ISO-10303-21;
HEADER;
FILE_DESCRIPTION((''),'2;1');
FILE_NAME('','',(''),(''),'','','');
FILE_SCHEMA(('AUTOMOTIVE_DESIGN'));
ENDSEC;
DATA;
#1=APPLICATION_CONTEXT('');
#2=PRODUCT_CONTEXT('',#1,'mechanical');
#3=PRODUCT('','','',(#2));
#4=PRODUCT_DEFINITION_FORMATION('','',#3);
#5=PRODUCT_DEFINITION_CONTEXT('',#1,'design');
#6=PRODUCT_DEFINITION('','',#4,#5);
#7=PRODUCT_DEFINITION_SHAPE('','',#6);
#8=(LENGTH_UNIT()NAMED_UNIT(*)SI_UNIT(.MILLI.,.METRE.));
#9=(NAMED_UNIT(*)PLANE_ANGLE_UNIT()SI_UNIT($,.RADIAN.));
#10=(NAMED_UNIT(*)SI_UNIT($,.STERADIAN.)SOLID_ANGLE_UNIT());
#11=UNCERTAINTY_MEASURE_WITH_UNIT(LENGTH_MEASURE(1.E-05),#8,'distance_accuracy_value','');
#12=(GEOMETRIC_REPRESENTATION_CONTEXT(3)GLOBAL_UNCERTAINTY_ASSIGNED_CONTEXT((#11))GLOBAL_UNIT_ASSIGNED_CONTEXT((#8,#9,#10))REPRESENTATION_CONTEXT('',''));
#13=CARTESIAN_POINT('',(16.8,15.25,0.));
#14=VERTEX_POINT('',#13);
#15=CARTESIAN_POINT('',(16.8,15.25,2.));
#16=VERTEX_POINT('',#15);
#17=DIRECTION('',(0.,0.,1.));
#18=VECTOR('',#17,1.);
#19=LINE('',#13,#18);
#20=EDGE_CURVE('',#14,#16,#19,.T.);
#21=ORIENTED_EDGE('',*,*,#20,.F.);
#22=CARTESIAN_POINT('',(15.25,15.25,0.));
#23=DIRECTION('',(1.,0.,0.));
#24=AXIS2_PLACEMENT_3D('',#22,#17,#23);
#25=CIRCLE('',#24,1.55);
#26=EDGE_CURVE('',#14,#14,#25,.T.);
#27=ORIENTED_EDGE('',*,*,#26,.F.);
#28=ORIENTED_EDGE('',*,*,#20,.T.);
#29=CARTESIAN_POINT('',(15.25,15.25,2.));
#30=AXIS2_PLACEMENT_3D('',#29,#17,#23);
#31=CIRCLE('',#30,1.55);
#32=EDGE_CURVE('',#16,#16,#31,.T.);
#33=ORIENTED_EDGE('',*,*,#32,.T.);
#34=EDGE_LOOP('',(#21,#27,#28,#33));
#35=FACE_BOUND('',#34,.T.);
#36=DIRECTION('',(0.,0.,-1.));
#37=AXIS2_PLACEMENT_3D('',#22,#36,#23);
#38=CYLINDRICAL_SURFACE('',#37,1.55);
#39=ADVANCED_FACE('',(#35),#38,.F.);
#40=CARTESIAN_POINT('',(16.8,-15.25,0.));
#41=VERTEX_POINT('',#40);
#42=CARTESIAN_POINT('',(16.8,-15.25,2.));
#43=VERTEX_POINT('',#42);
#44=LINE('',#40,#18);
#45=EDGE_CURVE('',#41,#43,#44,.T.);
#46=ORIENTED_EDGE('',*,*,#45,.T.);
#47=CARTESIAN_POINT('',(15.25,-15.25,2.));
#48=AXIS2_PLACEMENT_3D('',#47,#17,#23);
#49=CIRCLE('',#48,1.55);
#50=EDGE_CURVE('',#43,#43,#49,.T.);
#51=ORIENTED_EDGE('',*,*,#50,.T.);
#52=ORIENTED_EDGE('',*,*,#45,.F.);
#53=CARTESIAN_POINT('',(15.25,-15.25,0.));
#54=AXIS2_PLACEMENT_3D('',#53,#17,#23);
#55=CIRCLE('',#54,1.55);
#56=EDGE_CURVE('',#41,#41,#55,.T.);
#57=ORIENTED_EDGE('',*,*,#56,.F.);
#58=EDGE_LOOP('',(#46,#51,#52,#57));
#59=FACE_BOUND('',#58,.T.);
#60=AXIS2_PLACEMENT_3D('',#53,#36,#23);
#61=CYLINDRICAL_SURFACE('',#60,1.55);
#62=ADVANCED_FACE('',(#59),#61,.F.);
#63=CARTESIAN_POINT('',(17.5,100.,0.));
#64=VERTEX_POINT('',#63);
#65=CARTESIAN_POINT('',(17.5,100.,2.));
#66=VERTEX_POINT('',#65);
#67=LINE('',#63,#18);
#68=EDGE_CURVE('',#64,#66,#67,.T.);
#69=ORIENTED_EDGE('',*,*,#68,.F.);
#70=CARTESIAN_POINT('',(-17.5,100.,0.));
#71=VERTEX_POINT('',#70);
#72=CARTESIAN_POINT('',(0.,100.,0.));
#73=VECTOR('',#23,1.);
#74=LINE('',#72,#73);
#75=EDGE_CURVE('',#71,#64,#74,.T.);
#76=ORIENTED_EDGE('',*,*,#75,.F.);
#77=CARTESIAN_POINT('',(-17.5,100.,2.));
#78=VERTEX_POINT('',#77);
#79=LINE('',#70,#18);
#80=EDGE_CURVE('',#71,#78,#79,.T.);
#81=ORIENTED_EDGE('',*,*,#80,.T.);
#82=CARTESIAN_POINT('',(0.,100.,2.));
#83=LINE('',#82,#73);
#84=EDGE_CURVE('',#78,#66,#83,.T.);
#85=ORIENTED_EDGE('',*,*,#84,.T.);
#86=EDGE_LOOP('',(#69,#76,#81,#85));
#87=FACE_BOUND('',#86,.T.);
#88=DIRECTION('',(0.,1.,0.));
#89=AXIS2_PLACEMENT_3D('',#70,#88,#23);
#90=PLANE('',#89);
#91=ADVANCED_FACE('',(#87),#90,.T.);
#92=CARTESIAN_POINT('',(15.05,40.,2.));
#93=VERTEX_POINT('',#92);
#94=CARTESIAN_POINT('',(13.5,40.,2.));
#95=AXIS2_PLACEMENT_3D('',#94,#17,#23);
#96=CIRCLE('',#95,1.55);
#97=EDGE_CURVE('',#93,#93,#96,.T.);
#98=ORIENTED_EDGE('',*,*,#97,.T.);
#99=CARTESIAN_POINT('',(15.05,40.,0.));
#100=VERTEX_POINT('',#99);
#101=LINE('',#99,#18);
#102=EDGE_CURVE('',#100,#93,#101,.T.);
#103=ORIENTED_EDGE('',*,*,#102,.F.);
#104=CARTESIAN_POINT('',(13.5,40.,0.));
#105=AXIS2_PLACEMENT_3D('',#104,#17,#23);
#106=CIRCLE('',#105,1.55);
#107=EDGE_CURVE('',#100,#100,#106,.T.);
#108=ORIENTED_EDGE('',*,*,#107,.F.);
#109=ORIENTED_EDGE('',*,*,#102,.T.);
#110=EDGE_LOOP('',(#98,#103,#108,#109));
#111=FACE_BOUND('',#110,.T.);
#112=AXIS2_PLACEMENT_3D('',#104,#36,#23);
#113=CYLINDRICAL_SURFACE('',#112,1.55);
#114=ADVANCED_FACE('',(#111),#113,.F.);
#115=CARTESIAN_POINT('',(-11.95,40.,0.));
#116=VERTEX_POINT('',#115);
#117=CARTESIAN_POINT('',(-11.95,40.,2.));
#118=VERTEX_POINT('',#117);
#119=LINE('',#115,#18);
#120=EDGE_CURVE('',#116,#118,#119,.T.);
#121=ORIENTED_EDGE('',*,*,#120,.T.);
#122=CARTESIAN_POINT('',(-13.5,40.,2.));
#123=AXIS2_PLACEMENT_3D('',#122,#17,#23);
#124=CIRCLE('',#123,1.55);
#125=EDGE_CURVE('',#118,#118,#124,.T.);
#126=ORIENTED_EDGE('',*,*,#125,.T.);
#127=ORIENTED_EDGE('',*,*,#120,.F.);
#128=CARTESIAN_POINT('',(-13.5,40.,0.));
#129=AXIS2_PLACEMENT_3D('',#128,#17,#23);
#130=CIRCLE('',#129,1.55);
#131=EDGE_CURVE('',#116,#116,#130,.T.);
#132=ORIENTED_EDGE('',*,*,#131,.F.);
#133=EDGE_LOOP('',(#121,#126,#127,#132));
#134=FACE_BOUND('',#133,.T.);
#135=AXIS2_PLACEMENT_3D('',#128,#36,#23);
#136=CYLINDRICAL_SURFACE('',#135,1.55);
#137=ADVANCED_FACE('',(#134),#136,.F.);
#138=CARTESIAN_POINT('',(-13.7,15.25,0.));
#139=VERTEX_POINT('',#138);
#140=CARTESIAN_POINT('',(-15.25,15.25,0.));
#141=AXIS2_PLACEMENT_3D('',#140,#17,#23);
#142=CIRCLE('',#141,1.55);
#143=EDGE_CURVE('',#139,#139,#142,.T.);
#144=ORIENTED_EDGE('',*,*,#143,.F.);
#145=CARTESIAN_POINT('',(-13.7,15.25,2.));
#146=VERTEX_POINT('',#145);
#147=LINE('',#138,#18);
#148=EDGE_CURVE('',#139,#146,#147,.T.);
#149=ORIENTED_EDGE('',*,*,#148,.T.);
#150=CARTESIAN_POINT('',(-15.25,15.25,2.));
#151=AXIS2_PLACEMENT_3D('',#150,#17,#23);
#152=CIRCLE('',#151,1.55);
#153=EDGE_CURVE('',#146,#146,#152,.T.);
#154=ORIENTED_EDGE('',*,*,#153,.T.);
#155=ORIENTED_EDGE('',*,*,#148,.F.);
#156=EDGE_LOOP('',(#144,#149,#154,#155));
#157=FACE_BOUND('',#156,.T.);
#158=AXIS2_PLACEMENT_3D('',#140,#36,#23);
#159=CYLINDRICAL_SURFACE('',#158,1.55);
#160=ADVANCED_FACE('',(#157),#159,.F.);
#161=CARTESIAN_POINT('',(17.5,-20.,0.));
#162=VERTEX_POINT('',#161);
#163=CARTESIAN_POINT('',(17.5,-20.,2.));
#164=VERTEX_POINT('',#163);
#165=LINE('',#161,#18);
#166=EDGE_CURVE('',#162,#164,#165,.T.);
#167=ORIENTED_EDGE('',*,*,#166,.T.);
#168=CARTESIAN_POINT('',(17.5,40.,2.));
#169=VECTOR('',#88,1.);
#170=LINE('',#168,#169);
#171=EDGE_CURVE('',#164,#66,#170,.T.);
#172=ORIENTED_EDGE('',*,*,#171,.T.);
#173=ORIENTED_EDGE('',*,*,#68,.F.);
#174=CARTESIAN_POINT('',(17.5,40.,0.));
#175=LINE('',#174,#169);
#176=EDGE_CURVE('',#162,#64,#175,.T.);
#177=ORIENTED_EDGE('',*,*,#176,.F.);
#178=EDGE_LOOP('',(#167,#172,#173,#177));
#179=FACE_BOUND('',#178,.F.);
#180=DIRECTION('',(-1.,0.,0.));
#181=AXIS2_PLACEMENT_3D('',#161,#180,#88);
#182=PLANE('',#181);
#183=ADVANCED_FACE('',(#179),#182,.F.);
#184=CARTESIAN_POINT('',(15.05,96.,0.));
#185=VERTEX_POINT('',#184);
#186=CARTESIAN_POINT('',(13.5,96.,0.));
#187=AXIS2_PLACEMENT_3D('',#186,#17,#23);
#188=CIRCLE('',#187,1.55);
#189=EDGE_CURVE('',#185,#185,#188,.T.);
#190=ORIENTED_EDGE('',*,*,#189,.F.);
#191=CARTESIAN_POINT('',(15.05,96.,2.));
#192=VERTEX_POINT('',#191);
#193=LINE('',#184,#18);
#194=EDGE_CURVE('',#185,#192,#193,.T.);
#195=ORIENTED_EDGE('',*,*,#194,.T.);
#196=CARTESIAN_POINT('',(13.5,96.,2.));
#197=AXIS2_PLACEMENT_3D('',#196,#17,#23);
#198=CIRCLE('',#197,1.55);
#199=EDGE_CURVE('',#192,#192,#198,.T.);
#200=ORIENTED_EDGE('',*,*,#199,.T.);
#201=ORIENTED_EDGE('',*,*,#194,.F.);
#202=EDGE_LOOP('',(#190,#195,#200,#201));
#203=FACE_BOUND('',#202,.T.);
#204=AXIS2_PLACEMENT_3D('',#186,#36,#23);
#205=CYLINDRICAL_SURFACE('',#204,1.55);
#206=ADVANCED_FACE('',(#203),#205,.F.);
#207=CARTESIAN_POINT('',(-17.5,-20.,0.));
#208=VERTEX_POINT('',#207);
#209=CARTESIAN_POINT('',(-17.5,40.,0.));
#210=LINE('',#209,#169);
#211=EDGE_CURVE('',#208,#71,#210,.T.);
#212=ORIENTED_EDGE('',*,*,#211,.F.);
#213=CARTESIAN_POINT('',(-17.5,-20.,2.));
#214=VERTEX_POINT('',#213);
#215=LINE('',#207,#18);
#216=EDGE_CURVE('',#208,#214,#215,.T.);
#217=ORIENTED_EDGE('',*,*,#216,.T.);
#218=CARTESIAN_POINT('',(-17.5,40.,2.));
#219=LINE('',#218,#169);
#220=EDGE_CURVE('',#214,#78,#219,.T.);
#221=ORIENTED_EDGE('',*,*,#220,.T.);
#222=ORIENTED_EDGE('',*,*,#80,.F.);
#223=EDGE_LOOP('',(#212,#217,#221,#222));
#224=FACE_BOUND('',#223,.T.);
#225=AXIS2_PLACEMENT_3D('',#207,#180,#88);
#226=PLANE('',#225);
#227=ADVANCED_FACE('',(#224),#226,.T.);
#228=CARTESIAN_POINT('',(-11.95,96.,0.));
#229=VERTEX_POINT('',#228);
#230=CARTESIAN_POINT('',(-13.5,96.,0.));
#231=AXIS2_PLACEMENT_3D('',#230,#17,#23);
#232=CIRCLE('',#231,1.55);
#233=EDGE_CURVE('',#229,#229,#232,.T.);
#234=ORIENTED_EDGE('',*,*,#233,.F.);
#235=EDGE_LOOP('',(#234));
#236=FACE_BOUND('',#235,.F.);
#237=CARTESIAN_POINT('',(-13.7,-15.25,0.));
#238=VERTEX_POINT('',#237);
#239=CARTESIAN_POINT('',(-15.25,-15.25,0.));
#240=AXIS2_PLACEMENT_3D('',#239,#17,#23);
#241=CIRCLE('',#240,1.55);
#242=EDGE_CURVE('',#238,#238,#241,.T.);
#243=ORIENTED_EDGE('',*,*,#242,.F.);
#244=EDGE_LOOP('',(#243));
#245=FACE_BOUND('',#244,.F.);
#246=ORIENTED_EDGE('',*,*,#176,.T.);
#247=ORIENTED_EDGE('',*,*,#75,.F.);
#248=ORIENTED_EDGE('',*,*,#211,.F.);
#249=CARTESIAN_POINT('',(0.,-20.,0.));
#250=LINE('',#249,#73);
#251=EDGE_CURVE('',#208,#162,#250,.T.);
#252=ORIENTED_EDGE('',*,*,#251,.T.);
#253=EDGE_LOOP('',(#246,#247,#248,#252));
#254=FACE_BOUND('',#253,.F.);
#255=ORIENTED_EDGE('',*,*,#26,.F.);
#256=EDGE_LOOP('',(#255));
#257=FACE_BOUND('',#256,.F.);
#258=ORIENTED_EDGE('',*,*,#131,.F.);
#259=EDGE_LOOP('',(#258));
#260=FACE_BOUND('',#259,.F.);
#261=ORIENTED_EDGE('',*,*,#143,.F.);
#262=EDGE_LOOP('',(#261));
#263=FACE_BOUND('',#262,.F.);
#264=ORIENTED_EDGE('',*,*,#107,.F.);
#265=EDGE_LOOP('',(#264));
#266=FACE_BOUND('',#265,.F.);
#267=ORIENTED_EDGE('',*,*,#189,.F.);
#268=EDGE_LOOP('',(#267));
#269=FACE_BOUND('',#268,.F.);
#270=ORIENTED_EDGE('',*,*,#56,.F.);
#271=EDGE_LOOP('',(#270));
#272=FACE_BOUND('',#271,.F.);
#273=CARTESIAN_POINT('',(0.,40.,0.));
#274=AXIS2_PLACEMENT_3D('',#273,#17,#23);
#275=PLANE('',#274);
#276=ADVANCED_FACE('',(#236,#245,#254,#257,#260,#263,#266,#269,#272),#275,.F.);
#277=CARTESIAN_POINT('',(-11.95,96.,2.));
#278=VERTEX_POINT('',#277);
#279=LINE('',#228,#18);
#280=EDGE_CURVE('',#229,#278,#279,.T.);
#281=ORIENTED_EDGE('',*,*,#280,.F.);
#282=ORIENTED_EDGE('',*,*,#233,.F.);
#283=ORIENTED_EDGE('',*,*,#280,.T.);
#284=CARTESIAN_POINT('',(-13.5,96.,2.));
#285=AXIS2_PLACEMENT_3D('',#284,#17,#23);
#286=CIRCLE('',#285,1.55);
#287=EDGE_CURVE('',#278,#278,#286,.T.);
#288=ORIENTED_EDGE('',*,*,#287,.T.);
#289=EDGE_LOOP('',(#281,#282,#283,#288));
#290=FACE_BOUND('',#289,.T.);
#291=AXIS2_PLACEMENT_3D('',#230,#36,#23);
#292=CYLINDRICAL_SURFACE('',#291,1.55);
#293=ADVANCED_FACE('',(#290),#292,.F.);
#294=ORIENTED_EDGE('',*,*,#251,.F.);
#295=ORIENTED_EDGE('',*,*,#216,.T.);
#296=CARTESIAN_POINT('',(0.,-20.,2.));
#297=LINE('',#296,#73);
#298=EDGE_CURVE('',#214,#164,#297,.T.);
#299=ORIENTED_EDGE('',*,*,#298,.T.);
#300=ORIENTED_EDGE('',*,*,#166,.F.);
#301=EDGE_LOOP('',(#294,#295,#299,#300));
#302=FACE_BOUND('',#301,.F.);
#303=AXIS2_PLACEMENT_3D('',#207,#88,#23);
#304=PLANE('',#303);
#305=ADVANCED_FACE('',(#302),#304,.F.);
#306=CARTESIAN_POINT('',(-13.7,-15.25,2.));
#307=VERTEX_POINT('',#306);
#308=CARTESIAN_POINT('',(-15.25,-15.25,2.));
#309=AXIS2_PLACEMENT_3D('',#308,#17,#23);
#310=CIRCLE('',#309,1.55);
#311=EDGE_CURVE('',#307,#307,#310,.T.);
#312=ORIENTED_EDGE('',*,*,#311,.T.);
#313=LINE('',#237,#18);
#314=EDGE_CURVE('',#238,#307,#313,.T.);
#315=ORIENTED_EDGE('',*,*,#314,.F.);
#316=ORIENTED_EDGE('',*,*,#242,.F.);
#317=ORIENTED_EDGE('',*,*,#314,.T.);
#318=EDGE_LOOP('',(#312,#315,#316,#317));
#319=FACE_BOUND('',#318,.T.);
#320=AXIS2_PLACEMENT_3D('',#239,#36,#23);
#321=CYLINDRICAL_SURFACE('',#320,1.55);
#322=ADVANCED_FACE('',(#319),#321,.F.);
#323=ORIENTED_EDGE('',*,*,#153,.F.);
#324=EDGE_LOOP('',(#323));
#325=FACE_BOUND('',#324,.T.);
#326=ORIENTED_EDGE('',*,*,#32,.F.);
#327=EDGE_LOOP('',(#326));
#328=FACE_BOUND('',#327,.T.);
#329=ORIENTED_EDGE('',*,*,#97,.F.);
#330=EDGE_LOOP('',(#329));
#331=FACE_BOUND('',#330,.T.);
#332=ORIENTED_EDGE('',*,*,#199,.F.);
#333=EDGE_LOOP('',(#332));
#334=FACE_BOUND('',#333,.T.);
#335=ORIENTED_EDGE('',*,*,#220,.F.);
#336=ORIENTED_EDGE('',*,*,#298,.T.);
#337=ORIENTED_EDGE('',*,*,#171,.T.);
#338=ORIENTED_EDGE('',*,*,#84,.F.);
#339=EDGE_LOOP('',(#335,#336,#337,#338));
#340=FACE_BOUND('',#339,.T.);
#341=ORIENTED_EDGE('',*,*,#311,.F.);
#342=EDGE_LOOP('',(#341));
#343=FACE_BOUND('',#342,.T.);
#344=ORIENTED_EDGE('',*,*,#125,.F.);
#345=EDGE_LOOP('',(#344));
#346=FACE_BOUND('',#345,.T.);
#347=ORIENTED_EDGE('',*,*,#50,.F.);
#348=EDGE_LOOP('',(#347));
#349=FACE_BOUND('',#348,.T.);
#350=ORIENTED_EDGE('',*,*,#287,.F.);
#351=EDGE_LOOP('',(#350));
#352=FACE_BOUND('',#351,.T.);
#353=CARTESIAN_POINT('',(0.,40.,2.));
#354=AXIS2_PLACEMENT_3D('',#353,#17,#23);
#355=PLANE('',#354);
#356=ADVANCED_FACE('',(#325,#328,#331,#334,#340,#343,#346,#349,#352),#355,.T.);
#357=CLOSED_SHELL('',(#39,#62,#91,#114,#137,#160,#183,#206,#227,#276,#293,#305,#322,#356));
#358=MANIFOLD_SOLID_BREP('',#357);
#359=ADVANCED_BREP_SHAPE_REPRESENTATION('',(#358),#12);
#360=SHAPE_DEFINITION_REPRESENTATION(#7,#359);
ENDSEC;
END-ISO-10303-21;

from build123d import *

# Parameters (mm, degrees)
SKETCH_W  = 35
SKETCH_H  = 120
SKETCH_R  = 1.55
PAD_DEPTH = 2


with BuildPart() as part:
    # Sketch → Pad (new body)
    with BuildSketch(Plane.XY):
        with Locations((0, 40)):
            Rectangle(SKETCH_W, SKETCH_H)
        with Locations((-15.25, 15.25)):
            Circle(SKETCH_R, mode=Mode.SUBTRACT)
        with Locations((15.25, 15.25)):
            Circle(SKETCH_R, mode=Mode.SUBTRACT)
        with Locations((-15.25, -15.25)):
            Circle(SKETCH_R, mode=Mode.SUBTRACT)
        with Locations((15.25, -15.25)):
            Circle(SKETCH_R, mode=Mode.SUBTRACT)
        with Locations((-13.5, 96)):
            Circle(SKETCH_R, mode=Mode.SUBTRACT)
        with Locations((13.5, 96)):
            Circle(SKETCH_R, mode=Mode.SUBTRACT)
        with Locations((-13.5, 40)):
            Circle(SKETCH_R, mode=Mode.SUBTRACT)
        with Locations((13.5, 40)):
            Circle(SKETCH_R, mode=Mode.SUBTRACT)
    extrude(amount=PAD_DEPTH)


solid = part.part
